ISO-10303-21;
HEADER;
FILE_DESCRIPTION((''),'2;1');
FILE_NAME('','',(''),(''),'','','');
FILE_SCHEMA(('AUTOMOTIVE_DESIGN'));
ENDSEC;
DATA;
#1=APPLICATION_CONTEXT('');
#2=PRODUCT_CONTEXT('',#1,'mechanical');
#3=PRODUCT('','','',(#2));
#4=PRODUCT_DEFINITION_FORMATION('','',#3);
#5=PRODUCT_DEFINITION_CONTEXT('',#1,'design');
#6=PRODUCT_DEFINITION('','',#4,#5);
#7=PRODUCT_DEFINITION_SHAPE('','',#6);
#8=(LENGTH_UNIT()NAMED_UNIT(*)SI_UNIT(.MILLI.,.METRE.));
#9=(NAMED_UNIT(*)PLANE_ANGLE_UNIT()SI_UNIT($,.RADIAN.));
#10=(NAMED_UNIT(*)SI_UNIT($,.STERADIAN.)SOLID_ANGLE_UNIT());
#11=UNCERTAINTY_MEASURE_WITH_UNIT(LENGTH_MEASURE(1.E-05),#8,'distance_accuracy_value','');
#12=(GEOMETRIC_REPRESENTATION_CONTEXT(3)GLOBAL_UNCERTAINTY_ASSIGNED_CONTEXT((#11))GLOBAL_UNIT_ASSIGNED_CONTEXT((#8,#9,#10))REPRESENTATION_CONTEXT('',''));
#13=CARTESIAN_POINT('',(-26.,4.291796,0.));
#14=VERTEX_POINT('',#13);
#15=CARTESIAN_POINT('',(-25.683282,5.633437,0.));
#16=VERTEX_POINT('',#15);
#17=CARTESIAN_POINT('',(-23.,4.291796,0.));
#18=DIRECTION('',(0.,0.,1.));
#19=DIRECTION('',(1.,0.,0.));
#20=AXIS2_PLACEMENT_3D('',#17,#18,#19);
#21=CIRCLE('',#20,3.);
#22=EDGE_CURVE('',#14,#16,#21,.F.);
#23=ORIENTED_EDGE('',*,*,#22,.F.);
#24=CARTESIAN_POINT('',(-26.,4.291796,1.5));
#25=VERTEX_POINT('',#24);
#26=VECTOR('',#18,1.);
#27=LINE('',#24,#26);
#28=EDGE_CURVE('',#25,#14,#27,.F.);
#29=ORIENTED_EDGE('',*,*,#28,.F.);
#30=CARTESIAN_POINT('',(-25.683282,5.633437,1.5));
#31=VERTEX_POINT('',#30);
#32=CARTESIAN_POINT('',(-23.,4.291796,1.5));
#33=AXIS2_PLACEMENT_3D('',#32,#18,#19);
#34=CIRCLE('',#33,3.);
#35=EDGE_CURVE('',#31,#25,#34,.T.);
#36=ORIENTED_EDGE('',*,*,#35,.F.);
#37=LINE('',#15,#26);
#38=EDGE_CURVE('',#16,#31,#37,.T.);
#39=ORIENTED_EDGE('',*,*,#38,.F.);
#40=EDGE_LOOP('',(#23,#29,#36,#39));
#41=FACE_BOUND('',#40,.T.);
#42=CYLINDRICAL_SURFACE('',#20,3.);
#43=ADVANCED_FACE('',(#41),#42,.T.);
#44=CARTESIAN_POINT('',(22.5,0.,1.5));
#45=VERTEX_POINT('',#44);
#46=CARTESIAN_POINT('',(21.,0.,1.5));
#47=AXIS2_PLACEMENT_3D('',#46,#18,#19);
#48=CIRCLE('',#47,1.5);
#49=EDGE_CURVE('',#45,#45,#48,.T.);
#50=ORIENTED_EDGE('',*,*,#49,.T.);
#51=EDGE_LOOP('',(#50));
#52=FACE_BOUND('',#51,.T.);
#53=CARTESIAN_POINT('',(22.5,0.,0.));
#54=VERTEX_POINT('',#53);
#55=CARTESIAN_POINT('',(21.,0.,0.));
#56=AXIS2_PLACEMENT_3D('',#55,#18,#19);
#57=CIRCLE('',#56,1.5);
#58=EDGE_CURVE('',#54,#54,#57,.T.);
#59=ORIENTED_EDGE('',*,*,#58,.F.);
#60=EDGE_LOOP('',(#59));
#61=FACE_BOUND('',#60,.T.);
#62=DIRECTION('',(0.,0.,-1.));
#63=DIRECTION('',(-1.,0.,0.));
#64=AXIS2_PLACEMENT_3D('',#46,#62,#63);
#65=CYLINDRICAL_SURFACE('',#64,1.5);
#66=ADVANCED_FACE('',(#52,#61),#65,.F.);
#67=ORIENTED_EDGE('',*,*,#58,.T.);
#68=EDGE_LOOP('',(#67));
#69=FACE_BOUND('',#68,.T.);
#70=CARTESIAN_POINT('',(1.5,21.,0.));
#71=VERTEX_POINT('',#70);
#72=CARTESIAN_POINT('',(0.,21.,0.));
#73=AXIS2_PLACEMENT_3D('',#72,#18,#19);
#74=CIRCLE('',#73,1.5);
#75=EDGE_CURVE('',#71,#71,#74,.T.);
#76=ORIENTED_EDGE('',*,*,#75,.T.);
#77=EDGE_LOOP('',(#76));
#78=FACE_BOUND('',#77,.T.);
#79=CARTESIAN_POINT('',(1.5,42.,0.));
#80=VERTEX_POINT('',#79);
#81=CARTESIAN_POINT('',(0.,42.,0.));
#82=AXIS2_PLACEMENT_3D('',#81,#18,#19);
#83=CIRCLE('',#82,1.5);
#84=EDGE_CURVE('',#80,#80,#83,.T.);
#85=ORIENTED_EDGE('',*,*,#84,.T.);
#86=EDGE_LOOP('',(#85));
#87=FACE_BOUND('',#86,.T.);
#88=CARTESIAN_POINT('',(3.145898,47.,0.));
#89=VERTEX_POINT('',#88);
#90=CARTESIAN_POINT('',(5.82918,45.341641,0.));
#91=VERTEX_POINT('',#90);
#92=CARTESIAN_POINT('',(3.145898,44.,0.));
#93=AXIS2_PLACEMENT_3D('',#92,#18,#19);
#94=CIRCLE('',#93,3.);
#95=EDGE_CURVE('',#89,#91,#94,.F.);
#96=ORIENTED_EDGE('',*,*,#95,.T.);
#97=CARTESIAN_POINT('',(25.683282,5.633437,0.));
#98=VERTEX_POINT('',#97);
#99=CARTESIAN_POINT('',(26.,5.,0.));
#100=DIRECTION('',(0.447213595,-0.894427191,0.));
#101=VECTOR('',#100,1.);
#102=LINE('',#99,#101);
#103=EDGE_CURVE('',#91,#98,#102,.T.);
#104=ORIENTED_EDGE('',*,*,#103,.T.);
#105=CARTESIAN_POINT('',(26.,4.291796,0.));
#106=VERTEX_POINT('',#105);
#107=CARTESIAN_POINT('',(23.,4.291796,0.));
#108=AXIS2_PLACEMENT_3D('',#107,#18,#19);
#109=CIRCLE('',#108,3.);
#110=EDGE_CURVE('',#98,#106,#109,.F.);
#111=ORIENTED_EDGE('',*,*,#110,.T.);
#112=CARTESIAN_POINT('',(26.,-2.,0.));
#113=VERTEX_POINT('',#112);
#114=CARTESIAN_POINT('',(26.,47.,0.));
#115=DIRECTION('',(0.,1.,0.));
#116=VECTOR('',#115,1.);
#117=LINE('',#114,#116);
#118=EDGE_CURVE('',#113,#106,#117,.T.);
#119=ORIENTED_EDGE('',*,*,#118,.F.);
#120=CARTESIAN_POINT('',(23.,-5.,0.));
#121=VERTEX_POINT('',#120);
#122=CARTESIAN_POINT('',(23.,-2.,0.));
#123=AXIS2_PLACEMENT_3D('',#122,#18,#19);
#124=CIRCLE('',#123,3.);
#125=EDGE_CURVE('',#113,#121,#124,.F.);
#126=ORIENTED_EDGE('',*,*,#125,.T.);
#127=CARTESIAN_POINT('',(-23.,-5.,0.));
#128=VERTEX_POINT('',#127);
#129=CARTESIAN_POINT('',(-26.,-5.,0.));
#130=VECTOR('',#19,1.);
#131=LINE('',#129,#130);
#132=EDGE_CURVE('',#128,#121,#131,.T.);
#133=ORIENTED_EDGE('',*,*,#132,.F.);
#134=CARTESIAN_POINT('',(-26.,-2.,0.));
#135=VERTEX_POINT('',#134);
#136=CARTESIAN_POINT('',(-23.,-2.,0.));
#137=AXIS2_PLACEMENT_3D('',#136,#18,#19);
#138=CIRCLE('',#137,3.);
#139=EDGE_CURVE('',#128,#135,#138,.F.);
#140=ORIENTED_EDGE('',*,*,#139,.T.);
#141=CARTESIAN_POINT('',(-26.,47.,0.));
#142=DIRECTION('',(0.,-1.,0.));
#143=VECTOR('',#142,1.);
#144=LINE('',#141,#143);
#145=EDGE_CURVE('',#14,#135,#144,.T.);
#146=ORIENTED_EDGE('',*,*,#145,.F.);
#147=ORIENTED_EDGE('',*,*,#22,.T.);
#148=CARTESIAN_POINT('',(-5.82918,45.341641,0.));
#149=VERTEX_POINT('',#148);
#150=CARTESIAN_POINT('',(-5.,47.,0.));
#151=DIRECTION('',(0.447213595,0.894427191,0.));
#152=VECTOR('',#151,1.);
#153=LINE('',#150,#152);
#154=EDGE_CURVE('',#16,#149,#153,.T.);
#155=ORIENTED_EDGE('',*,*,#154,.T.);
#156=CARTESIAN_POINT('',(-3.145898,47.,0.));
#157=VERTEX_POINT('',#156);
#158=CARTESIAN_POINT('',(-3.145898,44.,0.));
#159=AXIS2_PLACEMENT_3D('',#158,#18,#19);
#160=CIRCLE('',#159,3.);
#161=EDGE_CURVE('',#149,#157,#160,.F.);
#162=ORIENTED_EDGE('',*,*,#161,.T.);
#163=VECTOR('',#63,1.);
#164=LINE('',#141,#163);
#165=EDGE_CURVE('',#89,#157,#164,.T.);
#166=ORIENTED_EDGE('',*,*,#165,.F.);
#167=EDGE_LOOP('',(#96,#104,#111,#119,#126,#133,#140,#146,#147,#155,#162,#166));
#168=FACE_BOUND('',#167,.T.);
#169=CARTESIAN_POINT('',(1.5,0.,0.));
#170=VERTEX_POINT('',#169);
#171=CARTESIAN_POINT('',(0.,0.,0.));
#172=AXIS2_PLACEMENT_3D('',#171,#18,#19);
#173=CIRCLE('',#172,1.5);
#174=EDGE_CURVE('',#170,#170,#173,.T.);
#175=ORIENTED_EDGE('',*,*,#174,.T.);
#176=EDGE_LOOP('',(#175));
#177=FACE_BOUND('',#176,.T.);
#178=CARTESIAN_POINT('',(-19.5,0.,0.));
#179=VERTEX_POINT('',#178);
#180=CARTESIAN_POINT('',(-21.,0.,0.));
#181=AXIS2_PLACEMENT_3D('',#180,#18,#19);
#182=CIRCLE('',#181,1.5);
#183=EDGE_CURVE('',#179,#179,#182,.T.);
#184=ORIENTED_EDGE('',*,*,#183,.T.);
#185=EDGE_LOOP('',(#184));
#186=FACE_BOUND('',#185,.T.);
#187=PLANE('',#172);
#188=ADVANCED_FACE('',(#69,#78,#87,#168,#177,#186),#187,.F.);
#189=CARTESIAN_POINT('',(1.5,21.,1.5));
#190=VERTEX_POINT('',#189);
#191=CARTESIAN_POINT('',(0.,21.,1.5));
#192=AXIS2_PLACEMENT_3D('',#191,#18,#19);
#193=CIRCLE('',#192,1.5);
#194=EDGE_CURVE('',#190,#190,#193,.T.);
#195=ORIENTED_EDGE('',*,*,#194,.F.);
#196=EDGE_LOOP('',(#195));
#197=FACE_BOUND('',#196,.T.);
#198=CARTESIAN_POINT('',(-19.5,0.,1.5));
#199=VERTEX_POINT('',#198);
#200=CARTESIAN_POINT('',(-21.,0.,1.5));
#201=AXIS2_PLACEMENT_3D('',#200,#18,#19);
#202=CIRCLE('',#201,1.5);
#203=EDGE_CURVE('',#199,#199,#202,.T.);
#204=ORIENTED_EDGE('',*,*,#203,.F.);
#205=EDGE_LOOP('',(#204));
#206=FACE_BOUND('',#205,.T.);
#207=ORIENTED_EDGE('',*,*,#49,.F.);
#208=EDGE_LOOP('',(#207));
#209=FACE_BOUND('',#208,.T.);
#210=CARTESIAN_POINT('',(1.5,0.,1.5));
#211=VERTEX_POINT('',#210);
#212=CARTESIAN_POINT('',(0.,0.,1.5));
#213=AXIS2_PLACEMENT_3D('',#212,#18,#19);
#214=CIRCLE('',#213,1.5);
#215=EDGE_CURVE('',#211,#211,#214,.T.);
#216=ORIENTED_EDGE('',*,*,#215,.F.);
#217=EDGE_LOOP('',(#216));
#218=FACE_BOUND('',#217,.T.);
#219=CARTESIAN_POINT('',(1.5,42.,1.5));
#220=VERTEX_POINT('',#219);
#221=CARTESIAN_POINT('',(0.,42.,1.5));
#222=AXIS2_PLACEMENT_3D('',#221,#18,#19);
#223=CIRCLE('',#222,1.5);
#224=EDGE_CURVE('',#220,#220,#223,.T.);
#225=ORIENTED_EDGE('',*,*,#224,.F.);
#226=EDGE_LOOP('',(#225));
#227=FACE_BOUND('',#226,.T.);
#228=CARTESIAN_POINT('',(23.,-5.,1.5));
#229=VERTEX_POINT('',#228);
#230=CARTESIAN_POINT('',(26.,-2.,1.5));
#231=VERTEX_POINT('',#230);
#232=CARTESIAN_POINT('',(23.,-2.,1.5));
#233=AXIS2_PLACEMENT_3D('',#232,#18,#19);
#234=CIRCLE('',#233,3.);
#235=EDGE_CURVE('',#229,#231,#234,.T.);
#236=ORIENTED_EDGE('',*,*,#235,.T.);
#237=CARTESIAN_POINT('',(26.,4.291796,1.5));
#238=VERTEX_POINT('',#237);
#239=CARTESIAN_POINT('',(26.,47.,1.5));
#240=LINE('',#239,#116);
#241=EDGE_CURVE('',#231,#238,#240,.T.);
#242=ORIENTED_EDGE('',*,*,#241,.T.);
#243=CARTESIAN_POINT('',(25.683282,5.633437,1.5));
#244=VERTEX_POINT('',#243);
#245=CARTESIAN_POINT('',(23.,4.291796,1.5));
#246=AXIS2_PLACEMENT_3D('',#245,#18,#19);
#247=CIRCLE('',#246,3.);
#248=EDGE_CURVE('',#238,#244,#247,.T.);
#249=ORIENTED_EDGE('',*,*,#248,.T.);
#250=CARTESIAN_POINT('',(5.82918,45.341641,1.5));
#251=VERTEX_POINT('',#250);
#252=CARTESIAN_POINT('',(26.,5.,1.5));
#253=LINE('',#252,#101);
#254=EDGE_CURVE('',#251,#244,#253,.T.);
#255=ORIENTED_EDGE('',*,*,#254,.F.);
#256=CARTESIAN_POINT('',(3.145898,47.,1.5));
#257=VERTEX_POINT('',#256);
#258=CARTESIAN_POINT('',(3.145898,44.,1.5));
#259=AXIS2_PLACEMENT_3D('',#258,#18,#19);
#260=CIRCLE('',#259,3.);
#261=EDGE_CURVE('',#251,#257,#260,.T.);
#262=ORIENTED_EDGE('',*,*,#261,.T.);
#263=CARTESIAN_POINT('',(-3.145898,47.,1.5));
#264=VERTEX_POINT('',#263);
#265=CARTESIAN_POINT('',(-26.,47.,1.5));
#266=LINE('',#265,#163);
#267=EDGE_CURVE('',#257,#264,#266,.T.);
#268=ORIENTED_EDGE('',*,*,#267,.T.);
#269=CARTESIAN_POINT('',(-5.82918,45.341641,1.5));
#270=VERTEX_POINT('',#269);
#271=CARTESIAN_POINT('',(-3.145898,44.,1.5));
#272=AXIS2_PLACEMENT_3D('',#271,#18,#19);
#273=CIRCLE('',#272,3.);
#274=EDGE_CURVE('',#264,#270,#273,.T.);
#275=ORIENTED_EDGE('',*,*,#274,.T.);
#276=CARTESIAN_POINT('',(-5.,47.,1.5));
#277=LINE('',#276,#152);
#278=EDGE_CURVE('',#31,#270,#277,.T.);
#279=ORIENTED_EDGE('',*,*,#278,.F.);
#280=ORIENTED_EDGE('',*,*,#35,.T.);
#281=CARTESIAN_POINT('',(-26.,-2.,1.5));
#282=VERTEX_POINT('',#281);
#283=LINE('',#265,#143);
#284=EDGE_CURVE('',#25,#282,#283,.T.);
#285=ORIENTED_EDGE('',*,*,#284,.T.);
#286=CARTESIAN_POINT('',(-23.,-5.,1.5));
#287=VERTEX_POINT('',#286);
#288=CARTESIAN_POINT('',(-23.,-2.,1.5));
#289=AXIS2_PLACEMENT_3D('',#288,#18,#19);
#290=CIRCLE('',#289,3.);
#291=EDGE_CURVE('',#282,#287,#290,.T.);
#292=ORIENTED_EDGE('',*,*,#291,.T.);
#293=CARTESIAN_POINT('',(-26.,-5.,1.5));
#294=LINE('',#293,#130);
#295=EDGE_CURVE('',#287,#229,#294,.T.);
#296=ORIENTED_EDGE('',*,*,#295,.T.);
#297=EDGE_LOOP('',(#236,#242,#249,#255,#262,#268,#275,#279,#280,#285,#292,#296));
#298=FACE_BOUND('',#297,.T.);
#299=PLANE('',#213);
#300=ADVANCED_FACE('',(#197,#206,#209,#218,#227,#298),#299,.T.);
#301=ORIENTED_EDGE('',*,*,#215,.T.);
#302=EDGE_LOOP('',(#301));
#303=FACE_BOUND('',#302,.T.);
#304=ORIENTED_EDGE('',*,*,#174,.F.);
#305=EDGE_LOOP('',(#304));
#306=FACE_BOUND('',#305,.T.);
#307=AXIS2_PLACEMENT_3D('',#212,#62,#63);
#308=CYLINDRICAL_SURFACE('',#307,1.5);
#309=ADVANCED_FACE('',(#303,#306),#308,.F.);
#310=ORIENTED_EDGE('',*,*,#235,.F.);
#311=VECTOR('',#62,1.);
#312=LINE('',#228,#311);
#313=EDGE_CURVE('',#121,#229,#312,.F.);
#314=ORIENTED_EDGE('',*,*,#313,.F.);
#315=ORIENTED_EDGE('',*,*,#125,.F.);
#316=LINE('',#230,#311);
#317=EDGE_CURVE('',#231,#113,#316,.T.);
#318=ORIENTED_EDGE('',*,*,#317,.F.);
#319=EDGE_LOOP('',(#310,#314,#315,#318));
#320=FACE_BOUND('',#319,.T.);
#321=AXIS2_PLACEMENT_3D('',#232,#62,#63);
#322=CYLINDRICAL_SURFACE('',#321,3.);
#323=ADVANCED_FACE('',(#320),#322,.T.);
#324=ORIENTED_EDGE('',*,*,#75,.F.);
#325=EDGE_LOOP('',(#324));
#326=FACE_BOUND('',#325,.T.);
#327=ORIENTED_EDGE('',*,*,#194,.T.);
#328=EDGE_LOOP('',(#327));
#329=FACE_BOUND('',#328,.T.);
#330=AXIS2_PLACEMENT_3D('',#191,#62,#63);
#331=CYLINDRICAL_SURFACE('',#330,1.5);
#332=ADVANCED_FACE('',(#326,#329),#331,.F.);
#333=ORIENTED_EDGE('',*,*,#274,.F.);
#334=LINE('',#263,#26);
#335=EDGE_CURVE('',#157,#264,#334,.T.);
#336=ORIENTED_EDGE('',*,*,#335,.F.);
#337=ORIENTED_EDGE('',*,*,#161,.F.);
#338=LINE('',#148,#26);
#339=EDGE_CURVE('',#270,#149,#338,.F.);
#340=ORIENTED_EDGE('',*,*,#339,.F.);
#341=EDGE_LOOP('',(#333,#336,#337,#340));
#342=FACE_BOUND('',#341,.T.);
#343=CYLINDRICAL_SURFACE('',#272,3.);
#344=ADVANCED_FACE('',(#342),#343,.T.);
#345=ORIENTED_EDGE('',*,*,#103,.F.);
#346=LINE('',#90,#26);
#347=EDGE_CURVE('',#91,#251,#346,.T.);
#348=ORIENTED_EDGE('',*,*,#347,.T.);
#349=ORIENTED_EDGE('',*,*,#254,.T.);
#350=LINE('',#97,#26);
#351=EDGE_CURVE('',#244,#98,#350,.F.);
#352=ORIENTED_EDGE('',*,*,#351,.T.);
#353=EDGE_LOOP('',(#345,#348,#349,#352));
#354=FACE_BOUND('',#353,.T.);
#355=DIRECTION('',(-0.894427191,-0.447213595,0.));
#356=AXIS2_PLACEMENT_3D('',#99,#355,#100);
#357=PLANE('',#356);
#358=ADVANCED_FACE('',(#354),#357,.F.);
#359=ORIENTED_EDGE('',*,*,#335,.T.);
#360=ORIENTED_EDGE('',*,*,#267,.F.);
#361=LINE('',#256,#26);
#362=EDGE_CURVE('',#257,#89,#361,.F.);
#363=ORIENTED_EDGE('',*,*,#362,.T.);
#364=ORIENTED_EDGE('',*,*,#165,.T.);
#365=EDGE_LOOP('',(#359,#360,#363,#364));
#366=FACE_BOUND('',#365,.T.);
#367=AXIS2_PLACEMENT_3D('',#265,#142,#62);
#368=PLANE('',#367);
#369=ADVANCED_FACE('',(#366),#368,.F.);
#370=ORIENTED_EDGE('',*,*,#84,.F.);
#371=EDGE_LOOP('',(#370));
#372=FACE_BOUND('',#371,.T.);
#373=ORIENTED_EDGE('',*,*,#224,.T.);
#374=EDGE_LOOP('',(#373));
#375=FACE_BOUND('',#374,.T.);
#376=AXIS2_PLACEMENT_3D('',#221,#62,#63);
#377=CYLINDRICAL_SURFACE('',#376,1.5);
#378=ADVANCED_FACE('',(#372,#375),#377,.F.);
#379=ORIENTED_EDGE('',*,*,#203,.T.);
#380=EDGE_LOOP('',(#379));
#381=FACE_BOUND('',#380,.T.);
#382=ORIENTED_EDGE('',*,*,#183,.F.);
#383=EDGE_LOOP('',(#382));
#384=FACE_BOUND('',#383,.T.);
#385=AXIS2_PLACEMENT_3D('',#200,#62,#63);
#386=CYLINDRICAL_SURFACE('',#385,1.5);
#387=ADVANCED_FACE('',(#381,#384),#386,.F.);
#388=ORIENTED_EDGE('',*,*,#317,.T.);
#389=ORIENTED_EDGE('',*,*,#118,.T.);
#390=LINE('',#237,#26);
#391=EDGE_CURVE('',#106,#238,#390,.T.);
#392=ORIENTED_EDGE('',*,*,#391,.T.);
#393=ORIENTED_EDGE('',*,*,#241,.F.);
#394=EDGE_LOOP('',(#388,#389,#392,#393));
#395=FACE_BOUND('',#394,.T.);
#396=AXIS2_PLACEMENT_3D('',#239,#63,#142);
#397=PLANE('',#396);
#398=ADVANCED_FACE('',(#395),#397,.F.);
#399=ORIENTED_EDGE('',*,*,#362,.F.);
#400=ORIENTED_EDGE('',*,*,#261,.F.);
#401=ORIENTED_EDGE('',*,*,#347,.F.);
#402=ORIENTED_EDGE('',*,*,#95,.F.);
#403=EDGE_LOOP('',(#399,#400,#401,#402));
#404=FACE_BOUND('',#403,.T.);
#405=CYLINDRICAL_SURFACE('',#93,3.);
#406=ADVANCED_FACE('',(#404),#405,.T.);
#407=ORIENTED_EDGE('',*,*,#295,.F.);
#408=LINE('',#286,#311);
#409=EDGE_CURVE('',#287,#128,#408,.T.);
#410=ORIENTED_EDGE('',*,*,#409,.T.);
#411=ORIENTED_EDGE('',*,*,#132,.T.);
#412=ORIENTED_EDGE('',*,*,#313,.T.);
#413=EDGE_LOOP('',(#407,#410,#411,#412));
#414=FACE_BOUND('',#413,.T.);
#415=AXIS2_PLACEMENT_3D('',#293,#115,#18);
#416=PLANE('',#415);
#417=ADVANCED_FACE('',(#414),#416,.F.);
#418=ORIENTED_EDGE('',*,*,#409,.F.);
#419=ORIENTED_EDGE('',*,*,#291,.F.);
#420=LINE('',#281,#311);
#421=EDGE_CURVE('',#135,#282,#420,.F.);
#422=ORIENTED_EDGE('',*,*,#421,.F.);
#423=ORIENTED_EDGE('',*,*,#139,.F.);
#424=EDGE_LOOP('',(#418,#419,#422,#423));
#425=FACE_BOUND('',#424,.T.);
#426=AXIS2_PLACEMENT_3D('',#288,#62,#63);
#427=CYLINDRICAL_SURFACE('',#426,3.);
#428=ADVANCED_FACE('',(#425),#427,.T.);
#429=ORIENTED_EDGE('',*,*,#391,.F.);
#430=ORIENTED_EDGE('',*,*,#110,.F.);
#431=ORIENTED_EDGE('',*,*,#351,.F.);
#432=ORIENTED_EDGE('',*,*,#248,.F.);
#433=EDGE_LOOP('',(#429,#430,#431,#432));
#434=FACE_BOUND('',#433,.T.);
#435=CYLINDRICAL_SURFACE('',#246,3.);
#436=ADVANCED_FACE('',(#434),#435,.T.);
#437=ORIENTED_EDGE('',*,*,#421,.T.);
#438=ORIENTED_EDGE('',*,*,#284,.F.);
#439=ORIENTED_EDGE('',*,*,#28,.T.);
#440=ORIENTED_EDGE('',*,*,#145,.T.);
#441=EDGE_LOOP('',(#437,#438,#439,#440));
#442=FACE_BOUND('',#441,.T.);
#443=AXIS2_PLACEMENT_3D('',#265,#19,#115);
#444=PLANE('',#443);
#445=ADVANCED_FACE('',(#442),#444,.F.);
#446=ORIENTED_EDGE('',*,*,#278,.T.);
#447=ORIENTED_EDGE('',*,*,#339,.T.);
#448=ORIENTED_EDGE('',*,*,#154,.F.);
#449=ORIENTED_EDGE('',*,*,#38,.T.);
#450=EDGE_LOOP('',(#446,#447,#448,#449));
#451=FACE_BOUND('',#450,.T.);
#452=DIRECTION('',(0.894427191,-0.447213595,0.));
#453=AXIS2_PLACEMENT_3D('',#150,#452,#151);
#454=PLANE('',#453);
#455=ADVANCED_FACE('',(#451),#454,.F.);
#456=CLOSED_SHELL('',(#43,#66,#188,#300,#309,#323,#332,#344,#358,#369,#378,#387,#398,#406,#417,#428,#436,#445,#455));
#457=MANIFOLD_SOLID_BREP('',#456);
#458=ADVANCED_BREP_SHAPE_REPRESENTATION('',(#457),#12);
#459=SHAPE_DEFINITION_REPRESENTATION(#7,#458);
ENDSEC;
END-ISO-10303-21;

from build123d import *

# Parameters (mm, degrees)
ESQUISSE1_W             = 52
ESQUISSE1_H             = 52
ESQUISSE1_R             = 1.5
BOSS_EXTRU_1_DEPTH      = 1.5
ENL_V_MAT_EXTRU_1_DEPTH = 54.73313689
CONG_1_R                = 3


with BuildPart() as part:
    # Esquisse1 → Boss.-Extru.1 (new body)
    with BuildSketch(Plane.XY):
        with Locations((0, 21)):
            Rectangle(ESQUISSE1_W, ESQUISSE1_H)
        with Locations((-21, 0)):
            Circle(ESQUISSE1_R, mode=Mode.SUBTRACT)
        Circle(ESQUISSE1_R, mode=Mode.SUBTRACT)
        with Locations((21, 0)):
            Circle(ESQUISSE1_R, mode=Mode.SUBTRACT)
        with Locations((0, 42)):
            Circle(ESQUISSE1_R, mode=Mode.SUBTRACT)
        with Locations((0, 21)):
            Circle(ESQUISSE1_R, mode=Mode.SUBTRACT)
    extrude(amount=BOSS_EXTRU_1_DEPTH)

    # Esquisse2 → Enlèv. mat.-Extru.1 (cut, through all)
    with BuildSketch(Plane.XY.offset(1.5)):
        Polygon((-26, 47), (-5, 47), (-26, 5), align=None)
        Polygon((26, 47), (26, 5), (5, 47), align=None)
    extrude(amount=-ENL_V_MAT_EXTRU_1_DEPTH, mode=Mode.SUBTRACT)

    # Congé1
    cong_1_edges = [part.edges().sort_by_distance(p)[0] for p in [
        (-26, 5, 0.75),
        (-5, 47, 0.75),
        (5, 47, 0.75),
        (26, 5, 0.75),
        (26, -5, 0.75),
        (-26, -5, 0.75),
    ]]
    fillet(cong_1_edges, radius=CONG_1_R)


solid = part.part
